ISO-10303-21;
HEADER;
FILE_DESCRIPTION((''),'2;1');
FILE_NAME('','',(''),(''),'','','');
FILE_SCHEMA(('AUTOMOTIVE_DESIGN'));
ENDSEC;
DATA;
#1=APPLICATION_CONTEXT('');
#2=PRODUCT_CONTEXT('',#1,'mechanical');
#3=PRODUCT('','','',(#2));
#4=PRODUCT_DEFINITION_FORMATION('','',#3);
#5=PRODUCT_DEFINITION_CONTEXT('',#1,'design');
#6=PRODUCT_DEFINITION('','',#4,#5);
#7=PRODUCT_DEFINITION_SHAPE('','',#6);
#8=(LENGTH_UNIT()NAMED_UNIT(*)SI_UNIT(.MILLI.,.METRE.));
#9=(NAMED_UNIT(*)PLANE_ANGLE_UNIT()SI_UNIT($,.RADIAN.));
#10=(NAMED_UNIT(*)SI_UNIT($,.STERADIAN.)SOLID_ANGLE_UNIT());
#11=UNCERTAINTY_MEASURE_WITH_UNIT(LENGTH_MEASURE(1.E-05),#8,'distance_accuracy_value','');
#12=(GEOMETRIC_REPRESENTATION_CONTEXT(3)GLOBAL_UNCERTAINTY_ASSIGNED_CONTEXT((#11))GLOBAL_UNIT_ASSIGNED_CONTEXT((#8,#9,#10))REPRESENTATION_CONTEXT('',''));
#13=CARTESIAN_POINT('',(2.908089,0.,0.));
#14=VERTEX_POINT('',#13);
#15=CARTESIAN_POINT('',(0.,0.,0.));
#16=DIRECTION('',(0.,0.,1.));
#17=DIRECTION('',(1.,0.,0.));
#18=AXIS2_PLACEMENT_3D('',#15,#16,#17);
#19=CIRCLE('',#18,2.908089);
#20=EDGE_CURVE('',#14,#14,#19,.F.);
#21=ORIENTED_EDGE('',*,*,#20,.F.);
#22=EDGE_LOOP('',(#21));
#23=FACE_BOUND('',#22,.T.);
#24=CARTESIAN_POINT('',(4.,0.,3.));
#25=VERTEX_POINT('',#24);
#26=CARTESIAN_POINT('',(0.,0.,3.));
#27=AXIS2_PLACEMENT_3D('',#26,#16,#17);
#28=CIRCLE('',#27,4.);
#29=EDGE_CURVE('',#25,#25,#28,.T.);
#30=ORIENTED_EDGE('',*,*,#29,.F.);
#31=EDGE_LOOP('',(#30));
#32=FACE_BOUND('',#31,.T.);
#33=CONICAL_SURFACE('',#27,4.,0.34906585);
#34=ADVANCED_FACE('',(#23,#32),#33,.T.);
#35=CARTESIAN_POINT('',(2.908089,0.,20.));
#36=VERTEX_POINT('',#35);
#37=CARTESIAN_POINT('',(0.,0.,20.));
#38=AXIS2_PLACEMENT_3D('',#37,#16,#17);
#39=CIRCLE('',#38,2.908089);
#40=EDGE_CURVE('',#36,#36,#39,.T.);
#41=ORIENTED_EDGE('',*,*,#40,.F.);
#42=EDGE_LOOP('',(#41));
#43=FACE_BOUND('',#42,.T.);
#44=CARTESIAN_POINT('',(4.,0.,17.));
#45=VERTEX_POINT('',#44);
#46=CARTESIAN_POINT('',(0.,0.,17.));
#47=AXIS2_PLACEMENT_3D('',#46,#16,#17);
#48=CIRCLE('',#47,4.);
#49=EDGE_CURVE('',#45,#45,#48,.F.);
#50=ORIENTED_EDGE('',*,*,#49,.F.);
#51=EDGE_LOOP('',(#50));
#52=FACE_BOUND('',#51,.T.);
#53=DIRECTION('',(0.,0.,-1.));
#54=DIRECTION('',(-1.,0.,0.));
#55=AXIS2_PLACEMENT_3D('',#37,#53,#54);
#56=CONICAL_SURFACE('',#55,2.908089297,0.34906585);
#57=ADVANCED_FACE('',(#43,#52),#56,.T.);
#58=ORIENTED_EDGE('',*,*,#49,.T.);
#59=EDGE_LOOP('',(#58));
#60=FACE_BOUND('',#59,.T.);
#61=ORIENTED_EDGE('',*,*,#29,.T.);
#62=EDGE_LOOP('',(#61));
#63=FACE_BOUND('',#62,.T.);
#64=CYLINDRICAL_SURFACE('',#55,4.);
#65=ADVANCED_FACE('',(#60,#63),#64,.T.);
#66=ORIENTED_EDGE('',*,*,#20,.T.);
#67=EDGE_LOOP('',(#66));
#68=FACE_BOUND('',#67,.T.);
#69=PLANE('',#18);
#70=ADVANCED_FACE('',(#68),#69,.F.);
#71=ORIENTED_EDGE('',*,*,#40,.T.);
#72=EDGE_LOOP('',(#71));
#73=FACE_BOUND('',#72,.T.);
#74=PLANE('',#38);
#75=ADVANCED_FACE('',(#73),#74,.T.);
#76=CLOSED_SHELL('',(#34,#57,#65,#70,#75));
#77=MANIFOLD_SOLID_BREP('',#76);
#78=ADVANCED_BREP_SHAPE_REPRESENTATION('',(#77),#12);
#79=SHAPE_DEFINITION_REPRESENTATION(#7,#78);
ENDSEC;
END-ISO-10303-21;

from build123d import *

# Parameters (mm, degrees)
SKETCH1_R      = 4
EXTRUDE1_DEPTH = 20
CHAMFER2_SIZE  = 3
CHAMFER2_SIZE2 = 1.091910703
CHAMFER3_SIZE  = 3
CHAMFER3_SIZE2 = 1.091910703


with BuildPart() as part:
    # Sketch1 → Extrude1 (new body)
    with BuildSketch(Plane.XY):
        Circle(SKETCH1_R)
    extrude(amount=EXTRUDE1_DEPTH)

    # Chamfer2
    chamfer2_edges = [part.edges().sort_by_distance(p)[0] for p in [
        (-4, 0, 20),
    ]]
    chamfer2_side = [part.faces().sort_by_distance(p)[0] for p in [
        (-4, 0, 10),
    ]]
    chamfer(chamfer2_edges, length=CHAMFER2_SIZE, length2=CHAMFER2_SIZE2, reference=chamfer2_side[0])

    # Chamfer3
    chamfer3_edges = [part.edges().sort_by_distance(p)[0] for p in [
        (-4, 0, 0),
    ]]
    chamfer3_side = [part.faces().sort_by_distance(p)[0] for p in [
        (-4, 0, 8.5),
    ]]
    chamfer(chamfer3_edges, length=CHAMFER3_SIZE, length2=CHAMFER3_SIZE2, reference=chamfer3_side[0])


solid = part.part
